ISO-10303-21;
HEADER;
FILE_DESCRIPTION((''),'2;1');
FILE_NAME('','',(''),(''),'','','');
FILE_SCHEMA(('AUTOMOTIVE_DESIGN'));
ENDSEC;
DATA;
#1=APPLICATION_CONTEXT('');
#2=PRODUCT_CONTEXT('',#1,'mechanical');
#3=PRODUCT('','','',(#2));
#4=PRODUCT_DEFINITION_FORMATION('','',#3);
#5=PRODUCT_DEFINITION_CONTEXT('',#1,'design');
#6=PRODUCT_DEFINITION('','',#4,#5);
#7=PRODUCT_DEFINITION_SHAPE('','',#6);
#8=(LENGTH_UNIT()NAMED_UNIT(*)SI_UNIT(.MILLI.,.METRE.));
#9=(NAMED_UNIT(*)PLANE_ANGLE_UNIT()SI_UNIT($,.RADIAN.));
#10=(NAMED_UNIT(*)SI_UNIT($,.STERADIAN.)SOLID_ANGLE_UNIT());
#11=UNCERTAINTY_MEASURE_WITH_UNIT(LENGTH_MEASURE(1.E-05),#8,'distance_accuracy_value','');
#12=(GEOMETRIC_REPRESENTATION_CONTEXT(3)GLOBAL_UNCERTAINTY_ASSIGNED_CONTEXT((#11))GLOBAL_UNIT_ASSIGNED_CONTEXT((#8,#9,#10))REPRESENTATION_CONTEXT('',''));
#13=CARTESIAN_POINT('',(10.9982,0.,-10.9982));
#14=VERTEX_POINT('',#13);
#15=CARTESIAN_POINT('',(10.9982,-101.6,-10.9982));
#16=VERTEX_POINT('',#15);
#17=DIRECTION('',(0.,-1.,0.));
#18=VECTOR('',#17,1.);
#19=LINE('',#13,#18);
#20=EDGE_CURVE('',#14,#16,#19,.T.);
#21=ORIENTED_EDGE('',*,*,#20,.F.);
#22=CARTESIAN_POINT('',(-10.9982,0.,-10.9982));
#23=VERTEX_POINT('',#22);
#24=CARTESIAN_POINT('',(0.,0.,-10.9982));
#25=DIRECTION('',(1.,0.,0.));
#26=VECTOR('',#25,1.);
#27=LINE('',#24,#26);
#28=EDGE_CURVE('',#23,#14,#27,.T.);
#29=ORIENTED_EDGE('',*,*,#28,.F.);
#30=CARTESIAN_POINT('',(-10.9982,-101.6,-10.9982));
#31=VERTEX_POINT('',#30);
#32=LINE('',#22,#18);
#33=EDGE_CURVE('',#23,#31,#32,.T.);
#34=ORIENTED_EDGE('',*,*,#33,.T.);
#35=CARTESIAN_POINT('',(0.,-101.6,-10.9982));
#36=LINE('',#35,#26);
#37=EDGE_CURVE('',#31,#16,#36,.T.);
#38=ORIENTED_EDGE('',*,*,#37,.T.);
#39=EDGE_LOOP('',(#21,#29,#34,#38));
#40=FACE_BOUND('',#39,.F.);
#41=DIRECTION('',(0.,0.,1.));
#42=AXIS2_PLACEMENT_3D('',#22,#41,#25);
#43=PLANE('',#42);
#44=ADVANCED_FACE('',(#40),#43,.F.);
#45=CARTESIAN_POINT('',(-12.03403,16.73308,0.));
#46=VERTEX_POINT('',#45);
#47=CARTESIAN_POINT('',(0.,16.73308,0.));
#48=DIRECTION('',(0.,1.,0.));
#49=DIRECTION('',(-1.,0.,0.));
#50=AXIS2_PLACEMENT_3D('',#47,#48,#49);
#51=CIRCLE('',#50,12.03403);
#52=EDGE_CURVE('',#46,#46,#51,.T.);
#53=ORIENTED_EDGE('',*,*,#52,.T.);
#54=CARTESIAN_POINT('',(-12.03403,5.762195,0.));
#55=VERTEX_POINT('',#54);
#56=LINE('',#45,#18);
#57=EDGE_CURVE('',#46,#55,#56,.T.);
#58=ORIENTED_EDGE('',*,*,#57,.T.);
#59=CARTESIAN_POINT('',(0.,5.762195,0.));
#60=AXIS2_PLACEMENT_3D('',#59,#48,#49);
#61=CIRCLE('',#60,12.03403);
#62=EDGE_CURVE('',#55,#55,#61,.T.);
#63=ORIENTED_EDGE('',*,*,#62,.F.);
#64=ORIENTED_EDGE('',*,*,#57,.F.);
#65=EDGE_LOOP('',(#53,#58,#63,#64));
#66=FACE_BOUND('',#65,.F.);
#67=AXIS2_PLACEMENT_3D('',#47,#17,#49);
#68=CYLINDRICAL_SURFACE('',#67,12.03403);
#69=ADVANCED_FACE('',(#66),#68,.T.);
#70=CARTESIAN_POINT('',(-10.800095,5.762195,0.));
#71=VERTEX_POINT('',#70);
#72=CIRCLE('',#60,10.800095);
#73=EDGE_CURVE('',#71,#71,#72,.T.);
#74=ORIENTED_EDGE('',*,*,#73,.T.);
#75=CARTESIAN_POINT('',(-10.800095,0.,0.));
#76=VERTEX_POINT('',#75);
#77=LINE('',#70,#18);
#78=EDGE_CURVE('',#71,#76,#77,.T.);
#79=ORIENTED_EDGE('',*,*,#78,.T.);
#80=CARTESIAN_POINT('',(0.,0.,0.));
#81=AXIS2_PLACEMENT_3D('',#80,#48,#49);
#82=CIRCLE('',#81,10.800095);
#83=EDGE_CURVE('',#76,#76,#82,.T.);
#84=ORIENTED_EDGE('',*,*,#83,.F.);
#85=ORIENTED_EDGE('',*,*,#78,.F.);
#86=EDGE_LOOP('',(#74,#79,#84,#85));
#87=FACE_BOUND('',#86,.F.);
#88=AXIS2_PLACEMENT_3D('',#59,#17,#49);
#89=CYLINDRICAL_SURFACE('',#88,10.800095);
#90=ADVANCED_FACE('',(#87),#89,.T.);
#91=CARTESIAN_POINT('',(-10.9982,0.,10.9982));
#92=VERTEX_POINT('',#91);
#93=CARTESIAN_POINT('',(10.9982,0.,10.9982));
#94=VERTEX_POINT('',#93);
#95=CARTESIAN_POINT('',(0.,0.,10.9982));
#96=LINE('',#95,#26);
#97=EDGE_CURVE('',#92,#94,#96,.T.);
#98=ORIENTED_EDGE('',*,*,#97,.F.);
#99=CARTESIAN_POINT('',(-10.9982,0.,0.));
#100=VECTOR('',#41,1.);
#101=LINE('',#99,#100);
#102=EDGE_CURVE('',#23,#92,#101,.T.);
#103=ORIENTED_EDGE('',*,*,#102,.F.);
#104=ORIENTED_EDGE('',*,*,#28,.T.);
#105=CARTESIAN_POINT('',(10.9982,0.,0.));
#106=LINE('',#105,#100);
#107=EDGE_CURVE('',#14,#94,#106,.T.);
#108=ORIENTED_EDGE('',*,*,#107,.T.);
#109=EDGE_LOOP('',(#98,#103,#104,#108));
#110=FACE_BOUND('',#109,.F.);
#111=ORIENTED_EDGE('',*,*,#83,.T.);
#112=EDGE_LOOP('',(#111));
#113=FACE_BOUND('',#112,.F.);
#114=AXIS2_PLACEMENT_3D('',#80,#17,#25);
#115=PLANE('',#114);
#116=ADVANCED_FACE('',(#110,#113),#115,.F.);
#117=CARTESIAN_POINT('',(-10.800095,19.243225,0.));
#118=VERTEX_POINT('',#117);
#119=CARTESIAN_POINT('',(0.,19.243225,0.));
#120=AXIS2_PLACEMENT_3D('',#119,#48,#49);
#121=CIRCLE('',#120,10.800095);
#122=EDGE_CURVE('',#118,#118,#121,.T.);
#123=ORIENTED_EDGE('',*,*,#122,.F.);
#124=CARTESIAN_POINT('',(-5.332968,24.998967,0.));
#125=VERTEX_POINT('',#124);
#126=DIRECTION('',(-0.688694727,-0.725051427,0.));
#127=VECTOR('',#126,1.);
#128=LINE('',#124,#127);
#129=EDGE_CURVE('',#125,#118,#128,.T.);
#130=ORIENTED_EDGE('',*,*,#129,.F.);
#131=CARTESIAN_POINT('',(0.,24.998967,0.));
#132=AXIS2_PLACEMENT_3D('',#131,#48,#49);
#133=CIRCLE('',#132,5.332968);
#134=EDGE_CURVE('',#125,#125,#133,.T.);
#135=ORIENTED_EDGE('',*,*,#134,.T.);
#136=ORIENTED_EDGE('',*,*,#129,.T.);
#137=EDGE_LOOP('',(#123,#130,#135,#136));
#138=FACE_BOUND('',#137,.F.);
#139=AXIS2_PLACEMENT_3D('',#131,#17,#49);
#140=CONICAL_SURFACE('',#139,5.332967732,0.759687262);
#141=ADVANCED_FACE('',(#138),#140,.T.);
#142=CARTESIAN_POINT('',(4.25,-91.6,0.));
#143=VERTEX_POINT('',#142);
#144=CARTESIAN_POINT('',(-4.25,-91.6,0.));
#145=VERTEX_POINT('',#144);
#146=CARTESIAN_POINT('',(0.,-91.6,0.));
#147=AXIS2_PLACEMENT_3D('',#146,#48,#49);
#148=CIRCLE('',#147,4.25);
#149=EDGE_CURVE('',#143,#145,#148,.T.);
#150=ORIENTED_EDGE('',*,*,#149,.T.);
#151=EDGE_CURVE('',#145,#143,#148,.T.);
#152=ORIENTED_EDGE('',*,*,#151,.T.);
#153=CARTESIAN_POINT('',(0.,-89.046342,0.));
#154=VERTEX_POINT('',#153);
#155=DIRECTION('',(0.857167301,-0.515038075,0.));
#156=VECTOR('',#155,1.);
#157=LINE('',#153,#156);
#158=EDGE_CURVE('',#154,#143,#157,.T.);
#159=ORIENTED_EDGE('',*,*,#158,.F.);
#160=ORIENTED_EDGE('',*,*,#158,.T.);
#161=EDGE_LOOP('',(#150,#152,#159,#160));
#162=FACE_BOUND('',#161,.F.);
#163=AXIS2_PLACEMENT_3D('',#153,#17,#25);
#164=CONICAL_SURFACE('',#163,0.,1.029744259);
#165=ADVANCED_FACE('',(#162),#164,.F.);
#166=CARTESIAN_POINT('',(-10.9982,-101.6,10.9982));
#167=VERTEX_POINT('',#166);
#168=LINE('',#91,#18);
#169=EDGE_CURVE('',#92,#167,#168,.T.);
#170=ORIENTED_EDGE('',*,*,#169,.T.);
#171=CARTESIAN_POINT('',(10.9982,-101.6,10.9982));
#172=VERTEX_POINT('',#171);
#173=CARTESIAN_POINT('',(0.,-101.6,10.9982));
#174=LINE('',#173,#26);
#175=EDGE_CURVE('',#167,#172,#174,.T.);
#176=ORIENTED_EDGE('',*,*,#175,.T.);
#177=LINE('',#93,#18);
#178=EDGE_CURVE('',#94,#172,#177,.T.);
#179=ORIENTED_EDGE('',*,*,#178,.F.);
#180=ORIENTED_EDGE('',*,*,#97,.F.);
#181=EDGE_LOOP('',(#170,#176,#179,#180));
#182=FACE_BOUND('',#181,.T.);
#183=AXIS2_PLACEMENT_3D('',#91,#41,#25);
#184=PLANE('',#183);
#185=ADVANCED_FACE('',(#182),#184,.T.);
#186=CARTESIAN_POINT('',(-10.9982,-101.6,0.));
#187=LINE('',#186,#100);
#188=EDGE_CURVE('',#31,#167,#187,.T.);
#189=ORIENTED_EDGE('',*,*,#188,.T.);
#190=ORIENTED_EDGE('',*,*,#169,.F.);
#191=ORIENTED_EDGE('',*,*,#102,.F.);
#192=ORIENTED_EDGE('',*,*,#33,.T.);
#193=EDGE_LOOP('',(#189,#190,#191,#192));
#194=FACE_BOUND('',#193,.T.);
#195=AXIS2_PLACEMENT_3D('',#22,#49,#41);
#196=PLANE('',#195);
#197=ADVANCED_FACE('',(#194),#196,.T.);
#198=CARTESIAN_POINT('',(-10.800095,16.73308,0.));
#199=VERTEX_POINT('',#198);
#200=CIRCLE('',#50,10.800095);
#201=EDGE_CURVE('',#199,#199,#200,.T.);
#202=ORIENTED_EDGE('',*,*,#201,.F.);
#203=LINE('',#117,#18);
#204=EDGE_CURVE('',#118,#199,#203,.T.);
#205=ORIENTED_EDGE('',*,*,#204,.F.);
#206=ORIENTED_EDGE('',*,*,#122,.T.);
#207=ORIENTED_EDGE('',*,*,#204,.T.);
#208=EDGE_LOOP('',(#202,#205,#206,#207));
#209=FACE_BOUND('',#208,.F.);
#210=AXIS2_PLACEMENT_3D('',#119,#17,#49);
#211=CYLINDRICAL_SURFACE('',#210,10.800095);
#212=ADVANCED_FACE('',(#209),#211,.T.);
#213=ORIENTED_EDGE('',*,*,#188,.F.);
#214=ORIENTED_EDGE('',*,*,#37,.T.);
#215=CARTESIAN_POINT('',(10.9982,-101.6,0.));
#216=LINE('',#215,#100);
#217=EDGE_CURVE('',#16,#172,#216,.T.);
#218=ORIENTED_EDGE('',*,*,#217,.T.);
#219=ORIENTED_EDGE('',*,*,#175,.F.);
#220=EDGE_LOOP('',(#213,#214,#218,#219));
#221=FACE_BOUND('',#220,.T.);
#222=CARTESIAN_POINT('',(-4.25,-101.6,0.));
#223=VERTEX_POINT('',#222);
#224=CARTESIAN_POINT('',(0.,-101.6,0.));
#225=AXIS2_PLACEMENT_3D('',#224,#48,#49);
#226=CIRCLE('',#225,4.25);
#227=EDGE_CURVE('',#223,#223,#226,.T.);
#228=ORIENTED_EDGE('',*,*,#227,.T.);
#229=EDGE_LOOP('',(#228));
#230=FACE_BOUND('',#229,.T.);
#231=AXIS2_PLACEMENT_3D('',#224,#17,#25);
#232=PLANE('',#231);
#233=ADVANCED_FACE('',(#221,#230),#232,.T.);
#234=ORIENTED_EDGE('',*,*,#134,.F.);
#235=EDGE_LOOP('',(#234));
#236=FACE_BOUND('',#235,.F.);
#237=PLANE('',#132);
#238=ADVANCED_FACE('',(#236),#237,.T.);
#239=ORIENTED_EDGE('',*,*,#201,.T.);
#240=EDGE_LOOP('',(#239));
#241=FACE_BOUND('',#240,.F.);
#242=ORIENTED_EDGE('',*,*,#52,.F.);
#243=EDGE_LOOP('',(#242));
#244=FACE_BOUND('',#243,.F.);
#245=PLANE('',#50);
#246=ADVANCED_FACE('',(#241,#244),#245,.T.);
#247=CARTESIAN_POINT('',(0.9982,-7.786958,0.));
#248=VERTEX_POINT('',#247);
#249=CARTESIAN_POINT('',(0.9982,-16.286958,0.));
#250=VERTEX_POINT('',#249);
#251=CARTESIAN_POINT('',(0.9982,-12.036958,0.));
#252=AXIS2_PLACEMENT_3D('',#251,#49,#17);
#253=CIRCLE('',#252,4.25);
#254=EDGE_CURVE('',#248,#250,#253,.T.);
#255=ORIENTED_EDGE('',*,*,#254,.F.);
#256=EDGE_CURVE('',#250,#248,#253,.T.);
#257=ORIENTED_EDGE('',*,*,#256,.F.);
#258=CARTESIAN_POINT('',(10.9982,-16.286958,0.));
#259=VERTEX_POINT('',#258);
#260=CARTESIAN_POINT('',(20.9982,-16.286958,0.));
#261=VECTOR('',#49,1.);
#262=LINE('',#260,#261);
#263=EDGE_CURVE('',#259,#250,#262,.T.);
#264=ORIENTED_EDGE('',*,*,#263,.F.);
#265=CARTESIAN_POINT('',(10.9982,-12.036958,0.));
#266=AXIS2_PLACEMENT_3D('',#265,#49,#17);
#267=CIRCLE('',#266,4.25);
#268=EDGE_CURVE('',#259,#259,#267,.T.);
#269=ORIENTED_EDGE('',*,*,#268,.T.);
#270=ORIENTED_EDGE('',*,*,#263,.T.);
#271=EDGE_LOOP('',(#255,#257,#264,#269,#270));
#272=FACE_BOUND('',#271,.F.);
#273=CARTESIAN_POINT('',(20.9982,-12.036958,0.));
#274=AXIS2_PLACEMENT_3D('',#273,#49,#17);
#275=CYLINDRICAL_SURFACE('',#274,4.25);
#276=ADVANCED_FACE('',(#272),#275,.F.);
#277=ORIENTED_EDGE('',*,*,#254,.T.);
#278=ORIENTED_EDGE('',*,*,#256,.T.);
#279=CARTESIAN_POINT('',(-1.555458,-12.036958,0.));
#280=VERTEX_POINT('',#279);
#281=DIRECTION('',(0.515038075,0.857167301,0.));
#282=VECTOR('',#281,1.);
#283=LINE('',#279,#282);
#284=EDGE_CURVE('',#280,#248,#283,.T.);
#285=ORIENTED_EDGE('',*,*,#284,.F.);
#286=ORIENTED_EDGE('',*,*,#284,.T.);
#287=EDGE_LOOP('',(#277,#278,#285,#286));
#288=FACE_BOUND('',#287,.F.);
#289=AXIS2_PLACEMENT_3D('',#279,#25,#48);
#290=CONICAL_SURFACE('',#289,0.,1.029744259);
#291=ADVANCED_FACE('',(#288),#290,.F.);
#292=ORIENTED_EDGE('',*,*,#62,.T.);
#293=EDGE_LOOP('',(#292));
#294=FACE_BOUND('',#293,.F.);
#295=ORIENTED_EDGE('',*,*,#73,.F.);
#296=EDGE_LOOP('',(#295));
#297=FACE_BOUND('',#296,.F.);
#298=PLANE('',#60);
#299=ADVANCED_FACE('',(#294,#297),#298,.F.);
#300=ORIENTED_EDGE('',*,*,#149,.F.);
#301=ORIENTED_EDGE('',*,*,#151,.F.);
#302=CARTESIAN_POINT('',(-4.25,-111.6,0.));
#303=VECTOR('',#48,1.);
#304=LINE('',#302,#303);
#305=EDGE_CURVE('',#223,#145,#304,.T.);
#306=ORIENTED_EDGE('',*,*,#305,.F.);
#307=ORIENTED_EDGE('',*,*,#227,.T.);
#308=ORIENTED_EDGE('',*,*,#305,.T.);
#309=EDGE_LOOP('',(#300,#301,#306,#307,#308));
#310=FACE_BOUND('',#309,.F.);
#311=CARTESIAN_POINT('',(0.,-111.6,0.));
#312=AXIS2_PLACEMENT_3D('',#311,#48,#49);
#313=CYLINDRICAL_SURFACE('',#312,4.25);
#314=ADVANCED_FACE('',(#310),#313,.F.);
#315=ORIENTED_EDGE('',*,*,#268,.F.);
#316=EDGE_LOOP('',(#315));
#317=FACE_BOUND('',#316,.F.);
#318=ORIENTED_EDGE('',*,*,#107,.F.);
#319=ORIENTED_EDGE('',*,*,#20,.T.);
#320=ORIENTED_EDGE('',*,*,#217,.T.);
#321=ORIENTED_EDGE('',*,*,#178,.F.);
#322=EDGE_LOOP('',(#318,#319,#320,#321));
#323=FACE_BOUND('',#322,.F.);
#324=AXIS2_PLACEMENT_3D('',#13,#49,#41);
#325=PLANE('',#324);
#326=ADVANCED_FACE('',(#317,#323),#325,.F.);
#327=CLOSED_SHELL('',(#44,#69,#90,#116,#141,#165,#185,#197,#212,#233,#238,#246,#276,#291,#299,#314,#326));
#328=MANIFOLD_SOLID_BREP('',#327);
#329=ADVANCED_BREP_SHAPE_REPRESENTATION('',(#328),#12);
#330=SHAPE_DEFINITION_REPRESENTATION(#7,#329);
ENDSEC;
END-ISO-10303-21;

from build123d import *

# Parameters (mm, degrees)
F0_W     = 21.9964
F0_H     = 21.9964
F1_DEPTH = 101.6
F5_D     = 8.5
F5_DEPTH = 10
F5_TIP   = 2.5536576309
F7_D     = 8.5
F7_DEPTH = 10
F7_TIP   = 2.5536576309


with BuildPart() as f1:
    # F0 (on Front) → F1 (new body)
    with BuildSketch(Plane.XZ):
        Rectangle(F0_W, F0_H)
    extrude(amount=F1_DEPTH)

    # F2 (on Top) → F3 (revolve)
    with BuildSketch(Plane.XY):
        Polygon((-10.800095275, 0), (0, 0), (0, 24.9989666045), (-5.3329677321, 24.9989666045), (-10.800095275, 19.2432253866), (-10.800095275, 16.7330801487), (-12.0340296999, 16.7330801487), (-12.0340296999, 5.7621949818), (-10.800095275, 5.7621949818), align=None)
    revolve(axis=Axis((0, 12.4994833022, 0), (0, 1, 0)))

    # F5
    with Locations(Plane.YZ.offset(10.9982)):
        with Locations((-12.036957778, 0)):
            Hole(F5_D / 2, depth=F5_DEPTH)
            with Locations((0, 0, -(F5_DEPTH + F5_TIP / 2))):  # 118° drill point
                Cone(0, F5_D / 2, F5_TIP, mode=Mode.SUBTRACT)

    # F7
    with Locations(Plane.XZ.offset(101.6)):
        with Locations((0, 0)):
            Hole(F7_D / 2, depth=F7_DEPTH)
            with Locations((0, 0, -(F7_DEPTH + F7_TIP / 2))):  # 118° drill point
                Cone(0, F7_D / 2, F7_TIP, mode=Mode.SUBTRACT)


solid = f1.part
